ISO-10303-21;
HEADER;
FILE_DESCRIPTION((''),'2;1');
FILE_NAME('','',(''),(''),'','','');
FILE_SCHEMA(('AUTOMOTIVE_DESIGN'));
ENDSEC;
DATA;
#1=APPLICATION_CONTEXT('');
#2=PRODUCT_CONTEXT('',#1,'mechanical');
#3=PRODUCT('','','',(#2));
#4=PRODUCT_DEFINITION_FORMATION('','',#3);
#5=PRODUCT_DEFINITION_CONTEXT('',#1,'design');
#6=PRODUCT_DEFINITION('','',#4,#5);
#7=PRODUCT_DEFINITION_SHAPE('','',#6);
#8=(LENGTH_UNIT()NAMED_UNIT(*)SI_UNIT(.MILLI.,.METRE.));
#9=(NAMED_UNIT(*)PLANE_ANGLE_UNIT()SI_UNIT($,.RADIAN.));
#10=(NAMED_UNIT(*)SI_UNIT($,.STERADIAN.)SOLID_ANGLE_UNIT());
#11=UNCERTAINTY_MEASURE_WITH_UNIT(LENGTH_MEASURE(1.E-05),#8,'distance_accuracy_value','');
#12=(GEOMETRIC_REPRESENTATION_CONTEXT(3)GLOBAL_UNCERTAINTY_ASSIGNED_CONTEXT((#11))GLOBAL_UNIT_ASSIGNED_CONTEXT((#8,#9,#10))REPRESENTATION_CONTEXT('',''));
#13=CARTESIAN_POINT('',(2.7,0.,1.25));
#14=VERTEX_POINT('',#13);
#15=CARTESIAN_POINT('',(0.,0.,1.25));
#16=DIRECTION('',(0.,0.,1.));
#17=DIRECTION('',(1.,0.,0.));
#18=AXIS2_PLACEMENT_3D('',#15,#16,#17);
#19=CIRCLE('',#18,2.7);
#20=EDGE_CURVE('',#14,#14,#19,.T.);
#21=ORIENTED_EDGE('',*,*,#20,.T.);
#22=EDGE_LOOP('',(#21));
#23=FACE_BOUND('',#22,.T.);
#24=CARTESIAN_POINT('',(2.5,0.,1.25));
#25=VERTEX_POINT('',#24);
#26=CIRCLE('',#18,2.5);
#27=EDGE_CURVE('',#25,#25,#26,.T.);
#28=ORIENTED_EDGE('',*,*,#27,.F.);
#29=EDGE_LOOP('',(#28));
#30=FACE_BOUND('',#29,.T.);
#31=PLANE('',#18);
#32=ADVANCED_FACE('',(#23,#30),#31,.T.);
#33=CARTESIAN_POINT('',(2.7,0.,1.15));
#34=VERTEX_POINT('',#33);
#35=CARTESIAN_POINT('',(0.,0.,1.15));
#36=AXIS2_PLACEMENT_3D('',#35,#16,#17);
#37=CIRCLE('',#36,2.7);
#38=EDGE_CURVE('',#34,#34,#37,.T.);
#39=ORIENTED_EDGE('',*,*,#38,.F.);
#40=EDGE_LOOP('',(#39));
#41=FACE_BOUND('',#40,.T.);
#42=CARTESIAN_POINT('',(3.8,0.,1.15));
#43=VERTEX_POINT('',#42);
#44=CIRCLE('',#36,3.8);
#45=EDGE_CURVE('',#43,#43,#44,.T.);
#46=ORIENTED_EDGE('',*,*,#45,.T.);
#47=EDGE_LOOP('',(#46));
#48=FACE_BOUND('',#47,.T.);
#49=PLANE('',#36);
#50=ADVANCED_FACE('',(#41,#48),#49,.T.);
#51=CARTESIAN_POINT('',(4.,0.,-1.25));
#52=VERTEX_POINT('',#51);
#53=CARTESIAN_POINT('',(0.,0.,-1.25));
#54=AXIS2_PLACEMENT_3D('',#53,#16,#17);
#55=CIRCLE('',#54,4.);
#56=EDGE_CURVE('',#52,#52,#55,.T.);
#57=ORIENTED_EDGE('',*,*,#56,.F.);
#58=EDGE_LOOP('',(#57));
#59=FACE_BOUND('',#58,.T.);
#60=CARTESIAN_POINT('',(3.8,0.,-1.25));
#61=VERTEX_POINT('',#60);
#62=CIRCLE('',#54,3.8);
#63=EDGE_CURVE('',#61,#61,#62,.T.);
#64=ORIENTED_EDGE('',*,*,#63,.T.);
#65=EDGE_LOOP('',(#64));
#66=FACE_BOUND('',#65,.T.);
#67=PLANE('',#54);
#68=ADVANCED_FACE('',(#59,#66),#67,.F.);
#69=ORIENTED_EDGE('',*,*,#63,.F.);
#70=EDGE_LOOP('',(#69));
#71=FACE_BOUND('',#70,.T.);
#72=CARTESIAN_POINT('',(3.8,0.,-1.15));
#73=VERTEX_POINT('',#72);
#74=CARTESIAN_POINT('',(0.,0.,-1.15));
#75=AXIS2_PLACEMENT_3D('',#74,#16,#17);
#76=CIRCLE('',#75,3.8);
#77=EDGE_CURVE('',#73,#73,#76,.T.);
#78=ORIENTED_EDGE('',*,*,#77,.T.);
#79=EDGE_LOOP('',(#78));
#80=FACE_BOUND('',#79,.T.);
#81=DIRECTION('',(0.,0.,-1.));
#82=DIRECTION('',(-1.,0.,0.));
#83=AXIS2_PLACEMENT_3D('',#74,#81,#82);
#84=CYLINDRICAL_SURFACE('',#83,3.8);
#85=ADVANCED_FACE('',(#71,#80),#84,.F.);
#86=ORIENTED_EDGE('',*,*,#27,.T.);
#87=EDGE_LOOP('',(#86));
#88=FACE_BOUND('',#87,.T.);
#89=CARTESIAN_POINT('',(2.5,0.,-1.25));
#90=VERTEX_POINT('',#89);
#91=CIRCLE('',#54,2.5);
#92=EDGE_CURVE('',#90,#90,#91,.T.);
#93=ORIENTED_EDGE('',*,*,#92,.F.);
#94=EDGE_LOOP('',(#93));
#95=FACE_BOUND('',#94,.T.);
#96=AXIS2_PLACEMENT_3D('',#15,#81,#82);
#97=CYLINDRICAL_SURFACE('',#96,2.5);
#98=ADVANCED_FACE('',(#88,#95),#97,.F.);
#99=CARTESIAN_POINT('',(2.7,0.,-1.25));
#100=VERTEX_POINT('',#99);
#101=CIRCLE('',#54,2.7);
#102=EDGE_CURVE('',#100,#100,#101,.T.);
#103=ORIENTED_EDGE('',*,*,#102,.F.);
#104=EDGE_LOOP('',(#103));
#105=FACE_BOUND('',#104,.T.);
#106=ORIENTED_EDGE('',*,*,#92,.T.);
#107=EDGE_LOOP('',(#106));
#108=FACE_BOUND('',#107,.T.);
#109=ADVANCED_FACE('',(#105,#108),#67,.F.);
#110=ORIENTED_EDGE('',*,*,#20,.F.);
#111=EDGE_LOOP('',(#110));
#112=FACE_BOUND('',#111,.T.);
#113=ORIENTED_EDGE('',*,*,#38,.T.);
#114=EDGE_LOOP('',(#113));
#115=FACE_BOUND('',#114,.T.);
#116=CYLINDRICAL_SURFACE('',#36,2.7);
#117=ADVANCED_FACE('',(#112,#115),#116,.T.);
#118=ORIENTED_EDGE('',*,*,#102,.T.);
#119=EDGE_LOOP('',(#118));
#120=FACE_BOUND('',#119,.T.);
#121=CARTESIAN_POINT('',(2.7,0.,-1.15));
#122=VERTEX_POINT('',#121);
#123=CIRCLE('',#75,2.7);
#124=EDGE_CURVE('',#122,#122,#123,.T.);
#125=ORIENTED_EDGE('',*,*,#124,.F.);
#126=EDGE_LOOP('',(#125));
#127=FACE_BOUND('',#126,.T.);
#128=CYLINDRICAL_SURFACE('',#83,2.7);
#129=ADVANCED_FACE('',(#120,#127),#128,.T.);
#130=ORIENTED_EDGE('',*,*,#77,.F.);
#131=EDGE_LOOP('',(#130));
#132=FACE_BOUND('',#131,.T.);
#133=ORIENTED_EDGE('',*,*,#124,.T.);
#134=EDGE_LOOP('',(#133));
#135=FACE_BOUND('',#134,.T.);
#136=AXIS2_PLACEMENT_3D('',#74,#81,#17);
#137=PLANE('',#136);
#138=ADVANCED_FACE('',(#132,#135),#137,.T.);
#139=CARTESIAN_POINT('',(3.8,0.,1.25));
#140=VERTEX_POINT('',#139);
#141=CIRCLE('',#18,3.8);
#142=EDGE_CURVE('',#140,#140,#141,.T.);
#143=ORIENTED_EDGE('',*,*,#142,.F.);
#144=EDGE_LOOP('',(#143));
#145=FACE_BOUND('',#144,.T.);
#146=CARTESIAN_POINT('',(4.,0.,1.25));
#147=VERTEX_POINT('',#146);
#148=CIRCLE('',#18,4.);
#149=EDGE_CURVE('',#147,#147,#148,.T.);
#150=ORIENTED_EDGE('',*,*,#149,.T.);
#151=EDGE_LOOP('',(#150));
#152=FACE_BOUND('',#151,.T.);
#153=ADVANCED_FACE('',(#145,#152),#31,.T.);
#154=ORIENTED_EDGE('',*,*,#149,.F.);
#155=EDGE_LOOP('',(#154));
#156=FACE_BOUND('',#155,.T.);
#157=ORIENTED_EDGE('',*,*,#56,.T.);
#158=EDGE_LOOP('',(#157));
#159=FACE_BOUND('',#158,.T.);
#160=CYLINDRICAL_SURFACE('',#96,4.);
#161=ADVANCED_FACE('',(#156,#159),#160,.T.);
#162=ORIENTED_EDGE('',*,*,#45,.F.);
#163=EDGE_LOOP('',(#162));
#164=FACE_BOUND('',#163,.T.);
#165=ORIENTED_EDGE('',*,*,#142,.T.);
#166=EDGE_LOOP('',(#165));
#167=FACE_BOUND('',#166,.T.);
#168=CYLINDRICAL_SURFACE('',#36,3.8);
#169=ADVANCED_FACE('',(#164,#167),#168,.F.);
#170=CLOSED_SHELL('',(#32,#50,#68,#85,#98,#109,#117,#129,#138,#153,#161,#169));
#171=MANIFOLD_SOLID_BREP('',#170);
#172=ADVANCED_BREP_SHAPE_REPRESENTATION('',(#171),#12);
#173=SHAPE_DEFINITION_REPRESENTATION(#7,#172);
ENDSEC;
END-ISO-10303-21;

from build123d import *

# Parameters (mm, degrees)
SKETCH1_R           = 4
SKETCH1_R_2         = 2.5
BOSS_EXTRUDE1_DEPTH = 1.25
SKETCH2_R           = 3.8
SKETCH2_R_2         = 2.7
CUT_EXTRUDE1_DEPTH  = 0.1


with BuildPart() as part:
    # Sketch1 → Boss-Extrude1 (new, symmetric)
    with BuildSketch(Plane.XY):
        Circle(SKETCH1_R)
        Circle(SKETCH1_R_2, mode=Mode.SUBTRACT)
    extrude(amount=BOSS_EXTRUDE1_DEPTH, both=True)

    # Sketch2 → Cut-Extrude1 (cut)
    with BuildSketch(Plane.XY.offset(1.25)):
        Circle(SKETCH2_R)
        Circle(SKETCH2_R_2, mode=Mode.SUBTRACT)
    cut_extrude1 = extrude(amount=-CUT_EXTRUDE1_DEPTH, mode=Mode.SUBTRACT)

    # Mirror1: Cut-Extrude1 across plane
    add(cut_extrude1.mirror(Plane.XY), mode=Mode.SUBTRACT)


solid = part.part
